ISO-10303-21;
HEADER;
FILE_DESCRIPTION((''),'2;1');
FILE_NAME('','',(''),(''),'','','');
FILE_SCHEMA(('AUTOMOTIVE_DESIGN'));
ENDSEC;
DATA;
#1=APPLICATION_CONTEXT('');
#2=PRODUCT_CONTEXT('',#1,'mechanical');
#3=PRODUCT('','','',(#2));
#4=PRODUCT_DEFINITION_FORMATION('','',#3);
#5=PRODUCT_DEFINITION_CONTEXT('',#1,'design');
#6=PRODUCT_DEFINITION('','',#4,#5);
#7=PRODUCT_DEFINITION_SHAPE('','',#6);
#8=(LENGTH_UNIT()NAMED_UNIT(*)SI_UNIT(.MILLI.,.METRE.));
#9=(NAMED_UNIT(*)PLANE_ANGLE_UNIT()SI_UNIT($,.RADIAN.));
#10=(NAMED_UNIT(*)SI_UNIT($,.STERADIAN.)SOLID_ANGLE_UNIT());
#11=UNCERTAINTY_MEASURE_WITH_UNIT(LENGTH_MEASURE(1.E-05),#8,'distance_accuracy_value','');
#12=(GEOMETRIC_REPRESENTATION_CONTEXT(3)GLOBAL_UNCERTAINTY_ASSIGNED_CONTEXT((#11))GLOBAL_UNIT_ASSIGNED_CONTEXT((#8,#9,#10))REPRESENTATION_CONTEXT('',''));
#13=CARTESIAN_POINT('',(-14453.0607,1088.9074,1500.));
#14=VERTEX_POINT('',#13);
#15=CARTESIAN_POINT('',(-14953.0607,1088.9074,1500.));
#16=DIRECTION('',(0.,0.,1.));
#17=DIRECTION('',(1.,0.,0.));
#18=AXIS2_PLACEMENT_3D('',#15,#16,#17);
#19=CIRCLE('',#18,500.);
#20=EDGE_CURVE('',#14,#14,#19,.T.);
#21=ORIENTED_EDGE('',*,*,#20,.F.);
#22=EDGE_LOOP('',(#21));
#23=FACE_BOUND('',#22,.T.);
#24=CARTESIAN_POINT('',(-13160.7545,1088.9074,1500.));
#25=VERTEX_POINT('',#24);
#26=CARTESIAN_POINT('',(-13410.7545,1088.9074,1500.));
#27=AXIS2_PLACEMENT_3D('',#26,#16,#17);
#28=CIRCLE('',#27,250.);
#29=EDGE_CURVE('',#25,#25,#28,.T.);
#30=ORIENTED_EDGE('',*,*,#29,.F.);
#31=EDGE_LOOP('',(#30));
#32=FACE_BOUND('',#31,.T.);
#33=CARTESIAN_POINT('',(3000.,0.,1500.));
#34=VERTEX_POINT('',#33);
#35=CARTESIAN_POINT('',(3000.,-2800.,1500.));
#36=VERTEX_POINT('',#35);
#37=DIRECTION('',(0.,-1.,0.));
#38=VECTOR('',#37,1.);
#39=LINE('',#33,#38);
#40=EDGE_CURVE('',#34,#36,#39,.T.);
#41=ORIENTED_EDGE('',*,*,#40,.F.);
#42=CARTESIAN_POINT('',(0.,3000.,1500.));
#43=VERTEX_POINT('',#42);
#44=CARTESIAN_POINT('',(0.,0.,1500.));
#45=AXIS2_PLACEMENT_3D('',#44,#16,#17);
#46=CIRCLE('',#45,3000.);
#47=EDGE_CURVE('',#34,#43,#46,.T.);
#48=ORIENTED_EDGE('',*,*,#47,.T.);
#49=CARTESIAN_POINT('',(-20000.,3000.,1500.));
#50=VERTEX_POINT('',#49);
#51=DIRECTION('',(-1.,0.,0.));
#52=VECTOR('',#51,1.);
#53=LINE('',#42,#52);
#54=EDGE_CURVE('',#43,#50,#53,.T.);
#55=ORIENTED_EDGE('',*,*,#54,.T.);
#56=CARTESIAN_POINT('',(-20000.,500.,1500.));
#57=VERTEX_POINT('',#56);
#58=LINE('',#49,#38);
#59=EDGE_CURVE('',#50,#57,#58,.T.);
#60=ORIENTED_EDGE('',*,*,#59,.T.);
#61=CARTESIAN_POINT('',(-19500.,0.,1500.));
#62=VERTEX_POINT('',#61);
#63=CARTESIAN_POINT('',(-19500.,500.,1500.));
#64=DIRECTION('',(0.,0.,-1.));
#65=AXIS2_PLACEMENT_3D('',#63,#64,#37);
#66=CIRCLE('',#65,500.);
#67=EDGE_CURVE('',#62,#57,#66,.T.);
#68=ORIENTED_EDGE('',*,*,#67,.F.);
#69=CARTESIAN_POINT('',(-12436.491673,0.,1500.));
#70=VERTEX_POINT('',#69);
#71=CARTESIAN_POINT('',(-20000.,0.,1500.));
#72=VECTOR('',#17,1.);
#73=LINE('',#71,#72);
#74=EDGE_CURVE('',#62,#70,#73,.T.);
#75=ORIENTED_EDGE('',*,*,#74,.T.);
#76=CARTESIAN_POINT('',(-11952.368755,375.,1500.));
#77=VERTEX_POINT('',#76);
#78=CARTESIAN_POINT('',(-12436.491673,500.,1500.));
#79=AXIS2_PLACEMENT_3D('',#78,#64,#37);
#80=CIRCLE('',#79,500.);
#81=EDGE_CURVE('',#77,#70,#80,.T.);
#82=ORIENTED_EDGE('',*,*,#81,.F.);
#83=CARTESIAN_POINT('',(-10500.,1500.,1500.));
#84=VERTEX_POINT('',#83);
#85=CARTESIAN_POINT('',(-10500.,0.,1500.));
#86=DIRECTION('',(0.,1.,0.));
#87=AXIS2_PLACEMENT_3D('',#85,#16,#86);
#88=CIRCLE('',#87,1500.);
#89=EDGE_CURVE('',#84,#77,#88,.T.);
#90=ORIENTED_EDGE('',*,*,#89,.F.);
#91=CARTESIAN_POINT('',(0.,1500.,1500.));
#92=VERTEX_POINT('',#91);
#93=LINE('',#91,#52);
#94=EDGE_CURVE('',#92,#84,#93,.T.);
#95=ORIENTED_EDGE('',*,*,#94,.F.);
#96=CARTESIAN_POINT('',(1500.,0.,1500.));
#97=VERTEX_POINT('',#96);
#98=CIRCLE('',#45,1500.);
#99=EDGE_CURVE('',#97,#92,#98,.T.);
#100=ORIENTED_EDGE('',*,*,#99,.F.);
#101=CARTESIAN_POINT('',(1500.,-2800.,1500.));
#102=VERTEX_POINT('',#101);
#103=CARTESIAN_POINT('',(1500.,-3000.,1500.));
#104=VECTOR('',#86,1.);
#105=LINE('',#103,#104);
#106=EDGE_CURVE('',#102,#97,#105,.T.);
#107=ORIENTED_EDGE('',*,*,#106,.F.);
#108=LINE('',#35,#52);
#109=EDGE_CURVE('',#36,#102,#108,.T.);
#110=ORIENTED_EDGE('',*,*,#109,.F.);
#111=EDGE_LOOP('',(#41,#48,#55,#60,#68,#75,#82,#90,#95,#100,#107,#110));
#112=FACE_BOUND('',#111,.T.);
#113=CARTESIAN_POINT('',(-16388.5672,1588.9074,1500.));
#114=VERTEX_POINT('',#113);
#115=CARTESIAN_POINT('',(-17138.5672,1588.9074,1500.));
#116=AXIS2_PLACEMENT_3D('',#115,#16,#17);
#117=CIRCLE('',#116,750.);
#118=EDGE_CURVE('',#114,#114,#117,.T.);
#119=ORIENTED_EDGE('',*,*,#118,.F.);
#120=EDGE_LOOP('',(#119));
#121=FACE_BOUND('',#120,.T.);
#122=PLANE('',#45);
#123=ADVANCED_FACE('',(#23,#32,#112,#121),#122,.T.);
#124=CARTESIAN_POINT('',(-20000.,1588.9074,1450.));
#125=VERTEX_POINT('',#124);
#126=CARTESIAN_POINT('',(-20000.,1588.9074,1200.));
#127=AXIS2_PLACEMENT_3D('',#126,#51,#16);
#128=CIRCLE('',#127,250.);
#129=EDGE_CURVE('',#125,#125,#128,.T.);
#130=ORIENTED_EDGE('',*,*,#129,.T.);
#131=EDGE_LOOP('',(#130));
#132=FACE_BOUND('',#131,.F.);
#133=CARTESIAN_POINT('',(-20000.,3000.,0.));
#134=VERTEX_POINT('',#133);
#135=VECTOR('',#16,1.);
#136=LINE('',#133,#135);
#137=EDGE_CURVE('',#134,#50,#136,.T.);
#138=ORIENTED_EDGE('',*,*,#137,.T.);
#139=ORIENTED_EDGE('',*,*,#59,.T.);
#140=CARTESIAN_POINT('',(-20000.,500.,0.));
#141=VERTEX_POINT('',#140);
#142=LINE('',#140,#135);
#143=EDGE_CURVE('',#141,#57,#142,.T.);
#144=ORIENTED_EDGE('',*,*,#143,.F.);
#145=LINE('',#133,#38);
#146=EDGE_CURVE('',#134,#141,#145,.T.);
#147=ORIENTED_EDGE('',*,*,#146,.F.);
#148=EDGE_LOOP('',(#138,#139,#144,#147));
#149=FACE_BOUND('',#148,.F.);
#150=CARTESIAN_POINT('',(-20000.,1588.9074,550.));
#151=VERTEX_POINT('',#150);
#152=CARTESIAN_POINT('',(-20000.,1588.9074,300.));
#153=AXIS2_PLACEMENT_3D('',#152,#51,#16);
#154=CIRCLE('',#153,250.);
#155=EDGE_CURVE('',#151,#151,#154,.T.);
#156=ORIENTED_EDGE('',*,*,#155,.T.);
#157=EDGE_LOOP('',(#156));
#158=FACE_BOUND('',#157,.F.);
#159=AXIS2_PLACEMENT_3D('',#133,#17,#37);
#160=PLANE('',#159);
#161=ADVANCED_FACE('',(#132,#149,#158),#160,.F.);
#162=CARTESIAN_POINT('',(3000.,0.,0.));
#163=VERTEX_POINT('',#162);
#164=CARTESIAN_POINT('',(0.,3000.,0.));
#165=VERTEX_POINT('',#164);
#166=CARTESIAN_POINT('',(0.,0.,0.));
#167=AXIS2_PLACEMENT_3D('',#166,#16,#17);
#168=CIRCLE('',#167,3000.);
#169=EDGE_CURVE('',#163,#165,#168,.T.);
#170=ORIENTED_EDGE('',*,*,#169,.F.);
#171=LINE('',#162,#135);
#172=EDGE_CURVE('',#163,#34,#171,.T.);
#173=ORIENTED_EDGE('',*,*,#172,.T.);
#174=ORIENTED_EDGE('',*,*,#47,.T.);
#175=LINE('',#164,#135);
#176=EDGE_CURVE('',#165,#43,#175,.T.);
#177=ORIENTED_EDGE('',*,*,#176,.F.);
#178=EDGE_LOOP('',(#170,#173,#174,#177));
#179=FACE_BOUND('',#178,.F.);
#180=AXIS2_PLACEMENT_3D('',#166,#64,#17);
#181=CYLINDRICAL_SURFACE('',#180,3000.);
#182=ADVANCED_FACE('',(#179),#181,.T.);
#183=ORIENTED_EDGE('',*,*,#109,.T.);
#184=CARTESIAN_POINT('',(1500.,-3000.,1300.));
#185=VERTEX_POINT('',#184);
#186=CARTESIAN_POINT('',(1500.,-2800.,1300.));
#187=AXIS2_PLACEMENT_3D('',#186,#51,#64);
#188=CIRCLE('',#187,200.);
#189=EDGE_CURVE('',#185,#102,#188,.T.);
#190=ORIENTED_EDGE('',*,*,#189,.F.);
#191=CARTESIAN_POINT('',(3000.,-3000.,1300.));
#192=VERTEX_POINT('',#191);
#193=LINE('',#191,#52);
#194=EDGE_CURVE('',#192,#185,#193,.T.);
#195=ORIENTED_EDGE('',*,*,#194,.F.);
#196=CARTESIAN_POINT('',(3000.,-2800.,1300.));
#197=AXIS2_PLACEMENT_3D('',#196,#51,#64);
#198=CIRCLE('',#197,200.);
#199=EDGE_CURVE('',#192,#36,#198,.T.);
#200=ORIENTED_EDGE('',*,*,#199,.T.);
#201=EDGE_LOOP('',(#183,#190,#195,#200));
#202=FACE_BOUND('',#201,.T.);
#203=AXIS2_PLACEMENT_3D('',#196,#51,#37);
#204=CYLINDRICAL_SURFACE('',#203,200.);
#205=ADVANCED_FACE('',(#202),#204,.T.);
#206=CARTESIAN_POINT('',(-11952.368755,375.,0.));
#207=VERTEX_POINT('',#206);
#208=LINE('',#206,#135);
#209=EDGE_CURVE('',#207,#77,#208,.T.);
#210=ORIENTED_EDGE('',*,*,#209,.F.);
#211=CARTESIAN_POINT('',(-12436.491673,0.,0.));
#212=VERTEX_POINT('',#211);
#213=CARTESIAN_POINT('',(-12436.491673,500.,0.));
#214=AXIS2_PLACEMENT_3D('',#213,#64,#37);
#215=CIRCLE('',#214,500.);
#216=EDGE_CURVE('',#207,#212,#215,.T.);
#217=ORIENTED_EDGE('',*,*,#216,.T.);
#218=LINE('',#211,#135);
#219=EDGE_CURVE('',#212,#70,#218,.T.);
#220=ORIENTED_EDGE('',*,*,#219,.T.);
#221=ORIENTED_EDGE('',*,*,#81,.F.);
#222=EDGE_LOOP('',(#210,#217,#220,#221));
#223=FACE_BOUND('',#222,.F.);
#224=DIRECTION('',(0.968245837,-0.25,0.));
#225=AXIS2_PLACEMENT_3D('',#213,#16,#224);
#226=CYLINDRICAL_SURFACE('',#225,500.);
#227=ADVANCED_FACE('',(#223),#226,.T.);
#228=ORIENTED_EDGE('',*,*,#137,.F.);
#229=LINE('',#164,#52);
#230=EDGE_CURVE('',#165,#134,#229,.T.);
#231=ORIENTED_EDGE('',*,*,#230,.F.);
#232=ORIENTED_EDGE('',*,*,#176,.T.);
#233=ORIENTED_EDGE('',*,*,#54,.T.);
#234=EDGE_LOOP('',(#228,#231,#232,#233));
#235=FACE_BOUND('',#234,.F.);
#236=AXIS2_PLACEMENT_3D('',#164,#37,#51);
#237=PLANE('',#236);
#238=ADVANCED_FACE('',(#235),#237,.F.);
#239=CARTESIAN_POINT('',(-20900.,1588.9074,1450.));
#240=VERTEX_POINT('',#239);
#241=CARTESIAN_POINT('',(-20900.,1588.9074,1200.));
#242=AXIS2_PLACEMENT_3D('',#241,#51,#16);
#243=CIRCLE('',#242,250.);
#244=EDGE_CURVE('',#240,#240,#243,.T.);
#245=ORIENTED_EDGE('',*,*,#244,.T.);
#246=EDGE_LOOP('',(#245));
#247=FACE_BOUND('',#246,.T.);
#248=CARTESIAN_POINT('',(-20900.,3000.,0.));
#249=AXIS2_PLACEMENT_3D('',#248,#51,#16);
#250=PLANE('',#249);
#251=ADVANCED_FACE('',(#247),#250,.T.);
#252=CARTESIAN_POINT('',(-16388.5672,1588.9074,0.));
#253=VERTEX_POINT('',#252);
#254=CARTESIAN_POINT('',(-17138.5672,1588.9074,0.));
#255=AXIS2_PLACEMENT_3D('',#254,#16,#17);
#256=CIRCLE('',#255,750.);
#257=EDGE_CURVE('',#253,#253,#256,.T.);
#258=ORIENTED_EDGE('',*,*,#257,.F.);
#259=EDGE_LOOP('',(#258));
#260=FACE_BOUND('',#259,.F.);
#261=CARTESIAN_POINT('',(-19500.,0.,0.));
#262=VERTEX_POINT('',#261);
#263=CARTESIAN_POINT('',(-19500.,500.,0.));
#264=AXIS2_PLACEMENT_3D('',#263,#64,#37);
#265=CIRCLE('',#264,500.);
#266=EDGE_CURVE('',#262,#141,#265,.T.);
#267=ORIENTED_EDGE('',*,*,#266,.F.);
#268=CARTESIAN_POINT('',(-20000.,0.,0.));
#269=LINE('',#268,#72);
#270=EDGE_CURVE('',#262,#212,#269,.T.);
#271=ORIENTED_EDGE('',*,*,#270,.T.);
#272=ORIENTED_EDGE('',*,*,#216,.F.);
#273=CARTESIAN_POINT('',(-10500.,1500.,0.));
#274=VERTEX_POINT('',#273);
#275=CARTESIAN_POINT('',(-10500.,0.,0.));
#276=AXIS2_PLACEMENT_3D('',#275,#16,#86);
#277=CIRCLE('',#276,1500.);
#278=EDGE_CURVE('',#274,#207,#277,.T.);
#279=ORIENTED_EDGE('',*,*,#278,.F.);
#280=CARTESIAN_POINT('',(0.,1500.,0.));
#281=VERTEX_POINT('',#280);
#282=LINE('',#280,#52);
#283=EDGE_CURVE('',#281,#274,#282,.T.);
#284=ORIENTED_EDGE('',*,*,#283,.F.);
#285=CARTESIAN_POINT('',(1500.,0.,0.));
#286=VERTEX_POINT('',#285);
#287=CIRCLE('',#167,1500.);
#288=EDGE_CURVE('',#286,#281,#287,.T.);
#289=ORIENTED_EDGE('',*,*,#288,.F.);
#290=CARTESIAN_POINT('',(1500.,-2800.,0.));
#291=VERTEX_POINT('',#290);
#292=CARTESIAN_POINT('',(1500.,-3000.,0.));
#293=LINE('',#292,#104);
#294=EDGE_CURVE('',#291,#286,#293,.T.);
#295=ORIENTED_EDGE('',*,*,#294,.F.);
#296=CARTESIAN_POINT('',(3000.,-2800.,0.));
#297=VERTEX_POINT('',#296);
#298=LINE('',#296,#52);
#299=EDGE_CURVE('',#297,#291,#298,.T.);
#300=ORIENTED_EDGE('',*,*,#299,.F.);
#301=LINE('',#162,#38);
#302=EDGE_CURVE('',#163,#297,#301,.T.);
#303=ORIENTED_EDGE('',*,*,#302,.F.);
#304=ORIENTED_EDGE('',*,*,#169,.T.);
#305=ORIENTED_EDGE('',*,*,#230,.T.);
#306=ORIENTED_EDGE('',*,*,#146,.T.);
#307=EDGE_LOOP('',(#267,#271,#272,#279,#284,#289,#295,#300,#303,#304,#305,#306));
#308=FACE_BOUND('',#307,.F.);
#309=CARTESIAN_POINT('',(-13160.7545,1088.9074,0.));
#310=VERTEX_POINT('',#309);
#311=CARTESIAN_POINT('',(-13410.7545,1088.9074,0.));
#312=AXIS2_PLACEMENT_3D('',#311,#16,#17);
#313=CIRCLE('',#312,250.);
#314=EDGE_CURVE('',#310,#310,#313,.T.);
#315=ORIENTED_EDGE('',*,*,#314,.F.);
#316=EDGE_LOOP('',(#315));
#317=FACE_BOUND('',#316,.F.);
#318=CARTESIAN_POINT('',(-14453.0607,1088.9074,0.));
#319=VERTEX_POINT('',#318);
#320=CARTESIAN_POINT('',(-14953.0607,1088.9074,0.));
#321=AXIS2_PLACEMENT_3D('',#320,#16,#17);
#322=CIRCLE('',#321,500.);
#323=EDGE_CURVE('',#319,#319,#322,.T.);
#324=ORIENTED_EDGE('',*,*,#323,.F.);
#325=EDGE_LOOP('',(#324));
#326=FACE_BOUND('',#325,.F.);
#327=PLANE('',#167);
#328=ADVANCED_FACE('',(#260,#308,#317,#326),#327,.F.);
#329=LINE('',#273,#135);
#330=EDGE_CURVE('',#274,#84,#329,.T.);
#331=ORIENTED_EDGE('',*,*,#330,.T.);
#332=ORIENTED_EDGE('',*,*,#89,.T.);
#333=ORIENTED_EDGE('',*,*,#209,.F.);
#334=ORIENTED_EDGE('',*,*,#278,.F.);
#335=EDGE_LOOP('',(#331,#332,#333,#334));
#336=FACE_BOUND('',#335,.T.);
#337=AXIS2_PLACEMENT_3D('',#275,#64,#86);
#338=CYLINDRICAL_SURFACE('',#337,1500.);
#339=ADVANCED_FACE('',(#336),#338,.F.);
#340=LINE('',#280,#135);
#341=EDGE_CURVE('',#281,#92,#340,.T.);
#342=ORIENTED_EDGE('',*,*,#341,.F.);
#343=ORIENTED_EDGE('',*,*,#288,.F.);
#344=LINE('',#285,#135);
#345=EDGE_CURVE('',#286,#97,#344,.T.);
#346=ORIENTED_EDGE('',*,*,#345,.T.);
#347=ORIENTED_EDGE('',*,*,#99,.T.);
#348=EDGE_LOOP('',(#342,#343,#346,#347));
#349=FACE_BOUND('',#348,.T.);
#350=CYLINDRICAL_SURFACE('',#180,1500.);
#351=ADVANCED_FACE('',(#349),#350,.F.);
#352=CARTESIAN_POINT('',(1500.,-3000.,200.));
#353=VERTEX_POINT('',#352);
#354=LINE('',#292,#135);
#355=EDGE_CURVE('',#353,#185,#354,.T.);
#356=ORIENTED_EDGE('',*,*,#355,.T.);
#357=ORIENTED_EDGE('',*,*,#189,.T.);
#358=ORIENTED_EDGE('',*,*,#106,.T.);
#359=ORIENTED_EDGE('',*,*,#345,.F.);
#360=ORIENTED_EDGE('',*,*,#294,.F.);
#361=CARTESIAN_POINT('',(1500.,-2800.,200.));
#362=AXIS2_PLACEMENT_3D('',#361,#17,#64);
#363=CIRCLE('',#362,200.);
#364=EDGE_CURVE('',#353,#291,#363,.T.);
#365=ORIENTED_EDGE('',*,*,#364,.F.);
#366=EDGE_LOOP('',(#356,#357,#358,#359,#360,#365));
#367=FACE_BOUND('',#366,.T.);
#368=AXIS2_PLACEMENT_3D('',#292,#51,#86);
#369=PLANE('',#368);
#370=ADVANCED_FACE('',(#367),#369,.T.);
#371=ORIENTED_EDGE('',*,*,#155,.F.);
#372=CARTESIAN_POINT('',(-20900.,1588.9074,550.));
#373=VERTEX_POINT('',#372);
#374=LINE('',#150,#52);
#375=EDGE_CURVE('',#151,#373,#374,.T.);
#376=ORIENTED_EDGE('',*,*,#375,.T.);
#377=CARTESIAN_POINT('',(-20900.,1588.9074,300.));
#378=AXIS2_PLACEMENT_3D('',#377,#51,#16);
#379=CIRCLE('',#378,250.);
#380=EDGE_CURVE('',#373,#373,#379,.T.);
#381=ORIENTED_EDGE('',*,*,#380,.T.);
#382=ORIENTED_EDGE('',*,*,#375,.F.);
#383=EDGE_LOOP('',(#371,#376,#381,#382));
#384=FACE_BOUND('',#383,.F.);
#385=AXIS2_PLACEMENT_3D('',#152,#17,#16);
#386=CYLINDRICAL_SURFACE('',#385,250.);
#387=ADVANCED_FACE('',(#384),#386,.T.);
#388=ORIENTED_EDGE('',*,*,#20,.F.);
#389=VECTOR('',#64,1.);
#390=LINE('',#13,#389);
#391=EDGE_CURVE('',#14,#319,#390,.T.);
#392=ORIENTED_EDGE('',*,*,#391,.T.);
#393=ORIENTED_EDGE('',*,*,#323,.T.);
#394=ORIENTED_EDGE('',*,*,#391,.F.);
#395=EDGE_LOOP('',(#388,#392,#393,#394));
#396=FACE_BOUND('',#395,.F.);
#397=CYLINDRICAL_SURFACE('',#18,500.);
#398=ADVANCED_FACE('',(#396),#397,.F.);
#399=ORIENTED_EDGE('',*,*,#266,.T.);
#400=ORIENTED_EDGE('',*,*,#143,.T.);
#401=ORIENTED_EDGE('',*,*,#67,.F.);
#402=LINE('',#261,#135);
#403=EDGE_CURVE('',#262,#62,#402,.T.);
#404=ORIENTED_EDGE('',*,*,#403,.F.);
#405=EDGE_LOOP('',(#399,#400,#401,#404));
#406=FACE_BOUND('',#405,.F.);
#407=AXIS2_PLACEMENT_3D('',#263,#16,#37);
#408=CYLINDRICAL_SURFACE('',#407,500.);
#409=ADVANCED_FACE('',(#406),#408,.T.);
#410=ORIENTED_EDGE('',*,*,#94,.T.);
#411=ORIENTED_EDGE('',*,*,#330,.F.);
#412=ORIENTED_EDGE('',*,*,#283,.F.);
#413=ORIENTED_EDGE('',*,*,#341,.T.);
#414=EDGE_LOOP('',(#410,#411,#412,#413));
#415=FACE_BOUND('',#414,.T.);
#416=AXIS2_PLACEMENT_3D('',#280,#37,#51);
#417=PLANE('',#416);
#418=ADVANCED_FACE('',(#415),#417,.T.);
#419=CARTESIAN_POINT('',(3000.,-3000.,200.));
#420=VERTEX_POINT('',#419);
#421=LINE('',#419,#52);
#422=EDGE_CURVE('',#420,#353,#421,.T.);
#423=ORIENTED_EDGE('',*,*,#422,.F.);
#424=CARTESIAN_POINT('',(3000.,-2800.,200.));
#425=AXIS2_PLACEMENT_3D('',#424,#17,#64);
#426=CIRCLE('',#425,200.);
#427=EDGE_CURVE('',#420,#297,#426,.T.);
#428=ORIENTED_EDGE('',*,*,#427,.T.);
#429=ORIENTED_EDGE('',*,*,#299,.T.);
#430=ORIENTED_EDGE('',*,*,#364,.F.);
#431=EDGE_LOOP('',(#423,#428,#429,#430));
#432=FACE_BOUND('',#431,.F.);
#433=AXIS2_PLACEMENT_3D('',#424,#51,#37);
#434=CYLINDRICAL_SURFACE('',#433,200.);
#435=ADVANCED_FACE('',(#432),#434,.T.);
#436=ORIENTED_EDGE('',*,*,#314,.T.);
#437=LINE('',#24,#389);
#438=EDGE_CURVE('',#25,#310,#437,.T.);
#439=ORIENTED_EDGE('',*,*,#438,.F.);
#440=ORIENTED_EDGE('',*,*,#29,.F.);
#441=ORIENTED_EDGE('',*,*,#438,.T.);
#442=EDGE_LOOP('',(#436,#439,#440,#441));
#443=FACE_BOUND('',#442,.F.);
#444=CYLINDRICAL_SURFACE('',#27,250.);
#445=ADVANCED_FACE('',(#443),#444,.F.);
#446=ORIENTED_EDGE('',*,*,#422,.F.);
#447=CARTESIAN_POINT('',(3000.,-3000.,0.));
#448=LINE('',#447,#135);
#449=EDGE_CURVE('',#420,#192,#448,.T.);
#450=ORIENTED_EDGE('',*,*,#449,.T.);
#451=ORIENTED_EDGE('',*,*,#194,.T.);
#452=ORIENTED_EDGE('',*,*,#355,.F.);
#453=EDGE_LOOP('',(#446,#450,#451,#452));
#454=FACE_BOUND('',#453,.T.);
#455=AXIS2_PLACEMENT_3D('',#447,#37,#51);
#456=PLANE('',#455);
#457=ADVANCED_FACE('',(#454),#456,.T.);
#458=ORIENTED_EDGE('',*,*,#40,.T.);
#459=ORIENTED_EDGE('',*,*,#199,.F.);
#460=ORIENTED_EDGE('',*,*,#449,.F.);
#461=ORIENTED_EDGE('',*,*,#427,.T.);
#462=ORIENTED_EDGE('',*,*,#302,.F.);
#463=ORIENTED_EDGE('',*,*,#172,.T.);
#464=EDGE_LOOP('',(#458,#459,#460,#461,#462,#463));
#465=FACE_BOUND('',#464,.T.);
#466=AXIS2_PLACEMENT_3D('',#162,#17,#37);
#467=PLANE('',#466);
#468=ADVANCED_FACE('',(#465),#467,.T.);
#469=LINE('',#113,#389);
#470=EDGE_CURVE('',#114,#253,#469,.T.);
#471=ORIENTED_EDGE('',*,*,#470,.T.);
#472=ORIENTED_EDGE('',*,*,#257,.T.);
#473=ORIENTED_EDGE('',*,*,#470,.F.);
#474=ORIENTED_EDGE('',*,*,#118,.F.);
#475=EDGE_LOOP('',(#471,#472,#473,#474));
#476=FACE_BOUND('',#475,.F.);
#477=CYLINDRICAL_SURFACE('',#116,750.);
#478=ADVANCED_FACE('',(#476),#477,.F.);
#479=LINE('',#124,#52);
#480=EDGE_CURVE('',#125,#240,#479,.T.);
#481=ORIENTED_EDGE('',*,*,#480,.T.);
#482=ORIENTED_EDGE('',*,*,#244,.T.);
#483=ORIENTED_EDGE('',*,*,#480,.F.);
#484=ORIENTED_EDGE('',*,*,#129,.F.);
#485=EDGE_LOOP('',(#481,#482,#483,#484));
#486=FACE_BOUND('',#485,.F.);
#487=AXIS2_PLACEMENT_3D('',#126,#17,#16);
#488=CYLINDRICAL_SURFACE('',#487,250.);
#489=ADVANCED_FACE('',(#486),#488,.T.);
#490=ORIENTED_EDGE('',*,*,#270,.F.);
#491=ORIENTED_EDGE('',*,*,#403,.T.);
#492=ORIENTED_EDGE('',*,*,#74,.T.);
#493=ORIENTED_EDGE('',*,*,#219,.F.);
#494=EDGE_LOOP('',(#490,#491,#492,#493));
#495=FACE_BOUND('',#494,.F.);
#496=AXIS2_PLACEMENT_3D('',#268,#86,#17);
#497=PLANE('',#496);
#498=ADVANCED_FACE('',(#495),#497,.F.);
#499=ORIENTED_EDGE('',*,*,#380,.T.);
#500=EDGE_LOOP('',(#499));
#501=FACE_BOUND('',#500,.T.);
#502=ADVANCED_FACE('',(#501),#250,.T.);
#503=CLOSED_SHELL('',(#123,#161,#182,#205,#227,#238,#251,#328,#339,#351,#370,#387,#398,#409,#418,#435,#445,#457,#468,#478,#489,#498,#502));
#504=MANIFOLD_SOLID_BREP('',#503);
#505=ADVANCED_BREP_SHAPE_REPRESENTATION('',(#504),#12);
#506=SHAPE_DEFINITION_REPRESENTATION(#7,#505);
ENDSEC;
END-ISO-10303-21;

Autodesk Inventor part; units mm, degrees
ref_plane "YZ Plane" through (0, 0, 0) normal (1, 0, 0) x (0, 1, 0)
ref_plane "XZ Plane" through (0, 0, 0) normal (0, 1, 0) x (-1, 0, 0)
ref_plane "XY Plane" through (0, 0, 0) normal (0, 0, 1) x (1, 0, 0)
sketch "Boceto1" plane through (0, 0, 0) normal (0, 0, 1) x (1, 0, 0)
  arc A0 (1500, 0) -> (0, 1500) centre (0, 0) ccw
  arc A1 (3000, 0) -> (0, 3000) centre (0, 0) ccw
  line L0 (3000, 0) -> (3000, -3000)
  line L1 (3000, -3000) -> (1500, -3000)
  line L2 (1500, -3000) -> (1500, 0)
  line L3 (0, 3000) -> (-20000, 3000)
  line L4 (-20000, 3000) -> (-20000, 0)
  line L5 (-20000, 0) -> (-12000, 0)
  arc A2 (-10500, 1500) -> (-12000, 0) centre (-10500, 0) ccw
  line L6 (0, 1500) -> (-10500, 1500)
  dimension "d4" = 3000
  dimension "d5" = 6000
  dimension "d7" = 20000
  dimension "d8" = 8000
  dimension "d10" = 3000
extrude "Extrusión1" add sketch "Boceto1" along normal blind 1500
fillet "Empalme1" radius 500 1 edges at (-12000, 0, 750)
sketch "Boceto2" plane through (0, 0, 1500) normal (0, 0, 1) x (1, 0, 0)
  circle A0 centre (-13410.7545, 1088.9074) radius 250
  circle A1 centre (-14953.0607, 1088.9074) radius 500
  circle A2 centre (-17138.5672, 1588.9074) radius 750
  point P0 (0, 0)
  dimension "d14" = 500
  dimension "d15" = 1000
  dimension "d16" = 1500
extrude "Extrusión2" cut sketch "Boceto2" against normal blind 1500
fillet "Empalme2" radius 500 1 edges at (-20000, 0, 750)
fillet "Empalme3" radius 200 1 edges at (2250, -3000, 1500)
fillet "Empalme4" radius 200 1 edges at (2250, -3000, 0)
sketch "Boceto3" plane through (-20000, 3000, 0) normal (-1, 0, 0) x (0, 0, 1)
  circle A0 centre (300, -1411.0926) radius 250
  circle A1 centre (1200, -1411.0926) radius 250
  point P0 (0, -3000)
  dimension "d24" = 500
  dimension "d26" = 500
extrude "Extrusión3" add sketch "Boceto3" along normal blind 900
properties part number "BRAZO BALSA UNDIMOTRIZ"
